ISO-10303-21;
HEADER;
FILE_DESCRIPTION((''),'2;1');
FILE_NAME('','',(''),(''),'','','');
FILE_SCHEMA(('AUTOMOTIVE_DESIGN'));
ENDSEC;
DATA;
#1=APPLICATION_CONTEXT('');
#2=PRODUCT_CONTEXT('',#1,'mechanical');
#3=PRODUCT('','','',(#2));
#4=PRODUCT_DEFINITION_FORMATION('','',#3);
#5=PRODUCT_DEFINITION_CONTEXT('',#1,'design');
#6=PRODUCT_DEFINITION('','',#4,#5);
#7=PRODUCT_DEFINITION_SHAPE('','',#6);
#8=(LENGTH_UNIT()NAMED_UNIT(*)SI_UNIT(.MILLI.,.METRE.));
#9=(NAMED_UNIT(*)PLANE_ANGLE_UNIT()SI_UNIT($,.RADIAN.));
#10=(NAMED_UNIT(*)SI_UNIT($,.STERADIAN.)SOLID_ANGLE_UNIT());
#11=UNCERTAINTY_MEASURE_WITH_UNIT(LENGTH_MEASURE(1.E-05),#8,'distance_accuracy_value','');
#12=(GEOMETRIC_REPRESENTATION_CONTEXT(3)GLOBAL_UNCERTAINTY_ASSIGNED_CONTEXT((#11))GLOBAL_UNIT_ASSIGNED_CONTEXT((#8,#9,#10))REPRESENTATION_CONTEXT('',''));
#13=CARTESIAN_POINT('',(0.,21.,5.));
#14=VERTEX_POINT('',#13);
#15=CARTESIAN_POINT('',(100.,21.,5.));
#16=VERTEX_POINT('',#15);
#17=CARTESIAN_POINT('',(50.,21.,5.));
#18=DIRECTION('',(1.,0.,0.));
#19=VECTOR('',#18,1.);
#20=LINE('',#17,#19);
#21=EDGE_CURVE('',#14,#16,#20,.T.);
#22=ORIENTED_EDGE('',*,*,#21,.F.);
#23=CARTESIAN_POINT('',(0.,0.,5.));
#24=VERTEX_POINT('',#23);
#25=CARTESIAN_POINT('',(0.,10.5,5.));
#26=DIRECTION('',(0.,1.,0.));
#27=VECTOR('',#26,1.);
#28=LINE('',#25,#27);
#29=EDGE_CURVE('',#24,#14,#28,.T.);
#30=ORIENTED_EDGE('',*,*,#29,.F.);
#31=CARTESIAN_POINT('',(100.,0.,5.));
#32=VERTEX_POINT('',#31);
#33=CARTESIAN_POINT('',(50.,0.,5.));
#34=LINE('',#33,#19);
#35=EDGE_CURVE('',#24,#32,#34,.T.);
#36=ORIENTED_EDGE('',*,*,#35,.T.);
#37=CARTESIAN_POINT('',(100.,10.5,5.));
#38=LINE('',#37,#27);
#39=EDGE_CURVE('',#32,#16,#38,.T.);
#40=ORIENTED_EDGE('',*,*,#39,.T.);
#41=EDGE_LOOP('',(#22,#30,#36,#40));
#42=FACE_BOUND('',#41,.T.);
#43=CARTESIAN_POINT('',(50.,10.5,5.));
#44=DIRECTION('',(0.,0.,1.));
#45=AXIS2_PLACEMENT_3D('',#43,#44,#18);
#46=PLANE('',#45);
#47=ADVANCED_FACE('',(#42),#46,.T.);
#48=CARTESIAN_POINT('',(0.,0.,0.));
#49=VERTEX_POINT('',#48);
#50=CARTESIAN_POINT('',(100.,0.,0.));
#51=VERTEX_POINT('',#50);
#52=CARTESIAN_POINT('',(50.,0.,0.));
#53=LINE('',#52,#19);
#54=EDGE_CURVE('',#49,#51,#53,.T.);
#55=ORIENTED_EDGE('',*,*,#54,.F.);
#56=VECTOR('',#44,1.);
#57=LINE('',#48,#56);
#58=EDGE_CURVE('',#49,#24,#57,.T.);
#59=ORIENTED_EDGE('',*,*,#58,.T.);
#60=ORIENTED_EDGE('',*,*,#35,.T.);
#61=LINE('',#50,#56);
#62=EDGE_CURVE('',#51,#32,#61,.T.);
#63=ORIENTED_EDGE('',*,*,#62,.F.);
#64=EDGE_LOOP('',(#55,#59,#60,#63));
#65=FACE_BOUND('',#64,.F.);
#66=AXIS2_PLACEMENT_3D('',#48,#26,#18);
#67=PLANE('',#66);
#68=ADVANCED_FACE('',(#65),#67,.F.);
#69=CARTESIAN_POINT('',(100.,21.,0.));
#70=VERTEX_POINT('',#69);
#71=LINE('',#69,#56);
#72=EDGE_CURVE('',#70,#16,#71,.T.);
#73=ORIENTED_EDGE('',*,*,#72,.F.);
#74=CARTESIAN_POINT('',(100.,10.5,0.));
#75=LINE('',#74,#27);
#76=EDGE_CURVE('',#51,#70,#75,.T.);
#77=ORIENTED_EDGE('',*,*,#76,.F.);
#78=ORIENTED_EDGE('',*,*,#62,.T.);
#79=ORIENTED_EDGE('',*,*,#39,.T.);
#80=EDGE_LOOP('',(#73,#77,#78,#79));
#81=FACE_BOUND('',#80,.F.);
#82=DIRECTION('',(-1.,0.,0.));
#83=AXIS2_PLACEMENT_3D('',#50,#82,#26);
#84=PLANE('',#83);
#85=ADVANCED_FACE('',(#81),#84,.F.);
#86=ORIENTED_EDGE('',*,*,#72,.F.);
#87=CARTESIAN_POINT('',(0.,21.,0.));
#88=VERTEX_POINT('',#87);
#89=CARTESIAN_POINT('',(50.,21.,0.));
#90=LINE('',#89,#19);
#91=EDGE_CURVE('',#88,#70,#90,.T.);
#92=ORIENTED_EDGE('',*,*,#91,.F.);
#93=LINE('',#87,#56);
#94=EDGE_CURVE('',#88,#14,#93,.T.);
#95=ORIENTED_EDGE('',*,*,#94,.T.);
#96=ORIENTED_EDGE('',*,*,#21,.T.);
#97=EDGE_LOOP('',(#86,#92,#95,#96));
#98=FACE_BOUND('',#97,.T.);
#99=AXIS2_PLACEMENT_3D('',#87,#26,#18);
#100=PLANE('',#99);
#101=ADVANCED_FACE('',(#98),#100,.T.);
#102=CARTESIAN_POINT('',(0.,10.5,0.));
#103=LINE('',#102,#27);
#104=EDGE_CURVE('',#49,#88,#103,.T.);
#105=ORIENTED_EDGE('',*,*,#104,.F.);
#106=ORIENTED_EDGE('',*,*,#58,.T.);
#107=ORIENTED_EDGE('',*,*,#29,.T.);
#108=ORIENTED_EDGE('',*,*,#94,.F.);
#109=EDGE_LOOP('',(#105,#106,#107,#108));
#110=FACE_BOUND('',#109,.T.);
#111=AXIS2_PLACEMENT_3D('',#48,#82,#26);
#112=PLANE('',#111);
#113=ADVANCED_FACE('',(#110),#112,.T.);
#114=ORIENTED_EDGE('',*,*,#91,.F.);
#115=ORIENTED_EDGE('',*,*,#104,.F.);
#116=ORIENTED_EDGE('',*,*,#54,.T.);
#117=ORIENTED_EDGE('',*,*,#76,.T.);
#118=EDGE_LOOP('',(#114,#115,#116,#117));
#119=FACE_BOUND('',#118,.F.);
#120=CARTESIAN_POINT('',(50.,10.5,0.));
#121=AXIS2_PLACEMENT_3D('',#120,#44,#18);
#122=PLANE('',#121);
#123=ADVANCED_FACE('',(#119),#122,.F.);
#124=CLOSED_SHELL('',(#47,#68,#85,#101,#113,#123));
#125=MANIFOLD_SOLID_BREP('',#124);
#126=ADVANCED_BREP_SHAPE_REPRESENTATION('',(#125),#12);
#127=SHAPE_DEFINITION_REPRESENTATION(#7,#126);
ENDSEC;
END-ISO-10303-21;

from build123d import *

# Parameters (mm, degrees)
SKETCH_W  = 100
SKETCH_H  = 21
PAD_DEPTH = 5


with BuildPart() as part:
    # Sketch → Pad (new body)
    with BuildSketch(Plane.XY):
        with Locations((50, 10.5)):
            Rectangle(SKETCH_W, SKETCH_H)
    extrude(amount=PAD_DEPTH)


solid = part.part
